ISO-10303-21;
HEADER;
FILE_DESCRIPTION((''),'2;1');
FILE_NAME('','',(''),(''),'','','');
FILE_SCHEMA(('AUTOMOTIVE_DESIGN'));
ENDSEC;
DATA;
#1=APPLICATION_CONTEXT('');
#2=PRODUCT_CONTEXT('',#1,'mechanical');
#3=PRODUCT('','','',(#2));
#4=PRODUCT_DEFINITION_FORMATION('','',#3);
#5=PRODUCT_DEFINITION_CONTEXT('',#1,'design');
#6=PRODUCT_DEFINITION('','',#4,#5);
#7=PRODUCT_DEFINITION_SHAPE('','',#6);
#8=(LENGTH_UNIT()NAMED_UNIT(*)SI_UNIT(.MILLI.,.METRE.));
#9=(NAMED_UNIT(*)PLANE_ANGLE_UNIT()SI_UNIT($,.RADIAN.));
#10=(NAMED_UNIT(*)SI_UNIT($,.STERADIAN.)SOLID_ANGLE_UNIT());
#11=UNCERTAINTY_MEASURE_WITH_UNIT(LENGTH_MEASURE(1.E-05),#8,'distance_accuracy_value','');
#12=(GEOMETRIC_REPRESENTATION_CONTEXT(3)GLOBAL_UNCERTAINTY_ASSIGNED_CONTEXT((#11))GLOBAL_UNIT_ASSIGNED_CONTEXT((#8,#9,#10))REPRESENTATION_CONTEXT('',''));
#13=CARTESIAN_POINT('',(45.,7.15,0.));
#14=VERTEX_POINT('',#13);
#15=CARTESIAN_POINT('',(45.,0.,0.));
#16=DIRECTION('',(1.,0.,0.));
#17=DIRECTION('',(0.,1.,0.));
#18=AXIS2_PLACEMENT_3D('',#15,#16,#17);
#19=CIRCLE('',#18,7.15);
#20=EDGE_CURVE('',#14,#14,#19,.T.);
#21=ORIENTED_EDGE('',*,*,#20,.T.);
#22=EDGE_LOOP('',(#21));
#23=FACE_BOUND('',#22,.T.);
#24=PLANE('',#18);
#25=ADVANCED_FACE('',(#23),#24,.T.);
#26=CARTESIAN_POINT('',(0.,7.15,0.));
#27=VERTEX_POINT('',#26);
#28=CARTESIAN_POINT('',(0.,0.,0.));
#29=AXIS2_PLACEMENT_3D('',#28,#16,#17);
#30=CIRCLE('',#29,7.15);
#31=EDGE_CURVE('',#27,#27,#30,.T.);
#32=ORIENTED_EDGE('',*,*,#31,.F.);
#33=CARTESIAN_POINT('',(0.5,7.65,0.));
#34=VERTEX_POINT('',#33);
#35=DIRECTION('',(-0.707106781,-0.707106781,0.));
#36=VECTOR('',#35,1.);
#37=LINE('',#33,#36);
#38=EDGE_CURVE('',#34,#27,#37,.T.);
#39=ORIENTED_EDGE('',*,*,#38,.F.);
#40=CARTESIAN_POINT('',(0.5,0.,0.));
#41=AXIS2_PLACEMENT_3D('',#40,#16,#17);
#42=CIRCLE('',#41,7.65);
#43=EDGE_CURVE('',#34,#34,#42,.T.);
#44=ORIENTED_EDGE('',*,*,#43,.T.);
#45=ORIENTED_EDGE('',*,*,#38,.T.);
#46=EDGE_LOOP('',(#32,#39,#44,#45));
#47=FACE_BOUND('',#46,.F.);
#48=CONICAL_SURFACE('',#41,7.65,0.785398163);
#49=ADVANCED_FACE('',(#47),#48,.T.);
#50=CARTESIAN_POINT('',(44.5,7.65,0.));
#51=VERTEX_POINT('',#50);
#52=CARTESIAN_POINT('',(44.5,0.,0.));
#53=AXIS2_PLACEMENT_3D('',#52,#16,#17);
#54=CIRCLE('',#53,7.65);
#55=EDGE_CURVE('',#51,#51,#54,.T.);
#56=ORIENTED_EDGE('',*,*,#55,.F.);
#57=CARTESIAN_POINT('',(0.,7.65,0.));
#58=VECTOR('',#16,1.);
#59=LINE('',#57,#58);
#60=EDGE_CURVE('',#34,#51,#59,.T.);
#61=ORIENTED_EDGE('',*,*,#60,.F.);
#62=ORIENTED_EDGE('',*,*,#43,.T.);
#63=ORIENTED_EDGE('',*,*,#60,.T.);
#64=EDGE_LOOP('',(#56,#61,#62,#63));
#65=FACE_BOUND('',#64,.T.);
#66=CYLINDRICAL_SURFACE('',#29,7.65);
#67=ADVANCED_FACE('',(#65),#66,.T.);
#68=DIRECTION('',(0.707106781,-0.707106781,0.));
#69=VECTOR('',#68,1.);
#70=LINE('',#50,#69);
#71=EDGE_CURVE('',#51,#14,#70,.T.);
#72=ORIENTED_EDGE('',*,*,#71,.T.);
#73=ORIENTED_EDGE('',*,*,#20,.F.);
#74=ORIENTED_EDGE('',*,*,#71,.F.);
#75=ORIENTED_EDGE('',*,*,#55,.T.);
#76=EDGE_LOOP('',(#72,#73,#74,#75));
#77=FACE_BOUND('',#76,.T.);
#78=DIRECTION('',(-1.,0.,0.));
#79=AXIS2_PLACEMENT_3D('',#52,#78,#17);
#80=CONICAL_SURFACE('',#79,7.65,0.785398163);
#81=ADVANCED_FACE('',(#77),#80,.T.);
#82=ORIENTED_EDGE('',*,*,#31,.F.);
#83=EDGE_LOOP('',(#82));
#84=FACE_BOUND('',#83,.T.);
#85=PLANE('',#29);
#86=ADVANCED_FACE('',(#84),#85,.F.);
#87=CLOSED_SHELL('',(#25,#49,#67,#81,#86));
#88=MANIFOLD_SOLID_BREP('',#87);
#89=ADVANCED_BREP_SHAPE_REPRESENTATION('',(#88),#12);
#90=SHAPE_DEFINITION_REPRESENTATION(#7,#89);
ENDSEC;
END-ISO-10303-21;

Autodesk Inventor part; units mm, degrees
ref_plane "Start Plane" through (0, 0, 0) normal (1, 0, 0) x (0, 1, 0)
ref_plane "XZ Plane" through (0, 0, 0) normal (0, 1, 0) x (-1, 0, 0)
ref_plane "XY Plane" through (0, 0, 0) normal (0, 0, 1) x (1, 0, 0)
sketch "Main Sketch" plane through (0, 0, 0) normal (0, 0, 1) x (1, 0, 0)
  line L0 (0, 0) -> (45, 0)
  line L1 (0, 0) -> (0, 7.65)
  line L2 (45, 7.65) -> (45, 0)
  line L3 (0, 7.65) -> (45, 7.65)
  dimension "d3" = 15.3
revolve "Revolution1" add sketch "Main Sketch" angle 360 about axis through (0, 0, 0) along (1, 0, 0)
chamfer "Chamfer3" distance 0.5 angle 45 1 edges at (45, -7.65, 0) measured on face at (30, 7.5509, -1.2271)
chamfer "Chamfer2" distance 0.5 angle 45 1 edges at (0, -7.65, 0) measured on face at (14.8333, 7.6252, -0.6156)
properties part number "Eje silla - Interno" material "Steel"
